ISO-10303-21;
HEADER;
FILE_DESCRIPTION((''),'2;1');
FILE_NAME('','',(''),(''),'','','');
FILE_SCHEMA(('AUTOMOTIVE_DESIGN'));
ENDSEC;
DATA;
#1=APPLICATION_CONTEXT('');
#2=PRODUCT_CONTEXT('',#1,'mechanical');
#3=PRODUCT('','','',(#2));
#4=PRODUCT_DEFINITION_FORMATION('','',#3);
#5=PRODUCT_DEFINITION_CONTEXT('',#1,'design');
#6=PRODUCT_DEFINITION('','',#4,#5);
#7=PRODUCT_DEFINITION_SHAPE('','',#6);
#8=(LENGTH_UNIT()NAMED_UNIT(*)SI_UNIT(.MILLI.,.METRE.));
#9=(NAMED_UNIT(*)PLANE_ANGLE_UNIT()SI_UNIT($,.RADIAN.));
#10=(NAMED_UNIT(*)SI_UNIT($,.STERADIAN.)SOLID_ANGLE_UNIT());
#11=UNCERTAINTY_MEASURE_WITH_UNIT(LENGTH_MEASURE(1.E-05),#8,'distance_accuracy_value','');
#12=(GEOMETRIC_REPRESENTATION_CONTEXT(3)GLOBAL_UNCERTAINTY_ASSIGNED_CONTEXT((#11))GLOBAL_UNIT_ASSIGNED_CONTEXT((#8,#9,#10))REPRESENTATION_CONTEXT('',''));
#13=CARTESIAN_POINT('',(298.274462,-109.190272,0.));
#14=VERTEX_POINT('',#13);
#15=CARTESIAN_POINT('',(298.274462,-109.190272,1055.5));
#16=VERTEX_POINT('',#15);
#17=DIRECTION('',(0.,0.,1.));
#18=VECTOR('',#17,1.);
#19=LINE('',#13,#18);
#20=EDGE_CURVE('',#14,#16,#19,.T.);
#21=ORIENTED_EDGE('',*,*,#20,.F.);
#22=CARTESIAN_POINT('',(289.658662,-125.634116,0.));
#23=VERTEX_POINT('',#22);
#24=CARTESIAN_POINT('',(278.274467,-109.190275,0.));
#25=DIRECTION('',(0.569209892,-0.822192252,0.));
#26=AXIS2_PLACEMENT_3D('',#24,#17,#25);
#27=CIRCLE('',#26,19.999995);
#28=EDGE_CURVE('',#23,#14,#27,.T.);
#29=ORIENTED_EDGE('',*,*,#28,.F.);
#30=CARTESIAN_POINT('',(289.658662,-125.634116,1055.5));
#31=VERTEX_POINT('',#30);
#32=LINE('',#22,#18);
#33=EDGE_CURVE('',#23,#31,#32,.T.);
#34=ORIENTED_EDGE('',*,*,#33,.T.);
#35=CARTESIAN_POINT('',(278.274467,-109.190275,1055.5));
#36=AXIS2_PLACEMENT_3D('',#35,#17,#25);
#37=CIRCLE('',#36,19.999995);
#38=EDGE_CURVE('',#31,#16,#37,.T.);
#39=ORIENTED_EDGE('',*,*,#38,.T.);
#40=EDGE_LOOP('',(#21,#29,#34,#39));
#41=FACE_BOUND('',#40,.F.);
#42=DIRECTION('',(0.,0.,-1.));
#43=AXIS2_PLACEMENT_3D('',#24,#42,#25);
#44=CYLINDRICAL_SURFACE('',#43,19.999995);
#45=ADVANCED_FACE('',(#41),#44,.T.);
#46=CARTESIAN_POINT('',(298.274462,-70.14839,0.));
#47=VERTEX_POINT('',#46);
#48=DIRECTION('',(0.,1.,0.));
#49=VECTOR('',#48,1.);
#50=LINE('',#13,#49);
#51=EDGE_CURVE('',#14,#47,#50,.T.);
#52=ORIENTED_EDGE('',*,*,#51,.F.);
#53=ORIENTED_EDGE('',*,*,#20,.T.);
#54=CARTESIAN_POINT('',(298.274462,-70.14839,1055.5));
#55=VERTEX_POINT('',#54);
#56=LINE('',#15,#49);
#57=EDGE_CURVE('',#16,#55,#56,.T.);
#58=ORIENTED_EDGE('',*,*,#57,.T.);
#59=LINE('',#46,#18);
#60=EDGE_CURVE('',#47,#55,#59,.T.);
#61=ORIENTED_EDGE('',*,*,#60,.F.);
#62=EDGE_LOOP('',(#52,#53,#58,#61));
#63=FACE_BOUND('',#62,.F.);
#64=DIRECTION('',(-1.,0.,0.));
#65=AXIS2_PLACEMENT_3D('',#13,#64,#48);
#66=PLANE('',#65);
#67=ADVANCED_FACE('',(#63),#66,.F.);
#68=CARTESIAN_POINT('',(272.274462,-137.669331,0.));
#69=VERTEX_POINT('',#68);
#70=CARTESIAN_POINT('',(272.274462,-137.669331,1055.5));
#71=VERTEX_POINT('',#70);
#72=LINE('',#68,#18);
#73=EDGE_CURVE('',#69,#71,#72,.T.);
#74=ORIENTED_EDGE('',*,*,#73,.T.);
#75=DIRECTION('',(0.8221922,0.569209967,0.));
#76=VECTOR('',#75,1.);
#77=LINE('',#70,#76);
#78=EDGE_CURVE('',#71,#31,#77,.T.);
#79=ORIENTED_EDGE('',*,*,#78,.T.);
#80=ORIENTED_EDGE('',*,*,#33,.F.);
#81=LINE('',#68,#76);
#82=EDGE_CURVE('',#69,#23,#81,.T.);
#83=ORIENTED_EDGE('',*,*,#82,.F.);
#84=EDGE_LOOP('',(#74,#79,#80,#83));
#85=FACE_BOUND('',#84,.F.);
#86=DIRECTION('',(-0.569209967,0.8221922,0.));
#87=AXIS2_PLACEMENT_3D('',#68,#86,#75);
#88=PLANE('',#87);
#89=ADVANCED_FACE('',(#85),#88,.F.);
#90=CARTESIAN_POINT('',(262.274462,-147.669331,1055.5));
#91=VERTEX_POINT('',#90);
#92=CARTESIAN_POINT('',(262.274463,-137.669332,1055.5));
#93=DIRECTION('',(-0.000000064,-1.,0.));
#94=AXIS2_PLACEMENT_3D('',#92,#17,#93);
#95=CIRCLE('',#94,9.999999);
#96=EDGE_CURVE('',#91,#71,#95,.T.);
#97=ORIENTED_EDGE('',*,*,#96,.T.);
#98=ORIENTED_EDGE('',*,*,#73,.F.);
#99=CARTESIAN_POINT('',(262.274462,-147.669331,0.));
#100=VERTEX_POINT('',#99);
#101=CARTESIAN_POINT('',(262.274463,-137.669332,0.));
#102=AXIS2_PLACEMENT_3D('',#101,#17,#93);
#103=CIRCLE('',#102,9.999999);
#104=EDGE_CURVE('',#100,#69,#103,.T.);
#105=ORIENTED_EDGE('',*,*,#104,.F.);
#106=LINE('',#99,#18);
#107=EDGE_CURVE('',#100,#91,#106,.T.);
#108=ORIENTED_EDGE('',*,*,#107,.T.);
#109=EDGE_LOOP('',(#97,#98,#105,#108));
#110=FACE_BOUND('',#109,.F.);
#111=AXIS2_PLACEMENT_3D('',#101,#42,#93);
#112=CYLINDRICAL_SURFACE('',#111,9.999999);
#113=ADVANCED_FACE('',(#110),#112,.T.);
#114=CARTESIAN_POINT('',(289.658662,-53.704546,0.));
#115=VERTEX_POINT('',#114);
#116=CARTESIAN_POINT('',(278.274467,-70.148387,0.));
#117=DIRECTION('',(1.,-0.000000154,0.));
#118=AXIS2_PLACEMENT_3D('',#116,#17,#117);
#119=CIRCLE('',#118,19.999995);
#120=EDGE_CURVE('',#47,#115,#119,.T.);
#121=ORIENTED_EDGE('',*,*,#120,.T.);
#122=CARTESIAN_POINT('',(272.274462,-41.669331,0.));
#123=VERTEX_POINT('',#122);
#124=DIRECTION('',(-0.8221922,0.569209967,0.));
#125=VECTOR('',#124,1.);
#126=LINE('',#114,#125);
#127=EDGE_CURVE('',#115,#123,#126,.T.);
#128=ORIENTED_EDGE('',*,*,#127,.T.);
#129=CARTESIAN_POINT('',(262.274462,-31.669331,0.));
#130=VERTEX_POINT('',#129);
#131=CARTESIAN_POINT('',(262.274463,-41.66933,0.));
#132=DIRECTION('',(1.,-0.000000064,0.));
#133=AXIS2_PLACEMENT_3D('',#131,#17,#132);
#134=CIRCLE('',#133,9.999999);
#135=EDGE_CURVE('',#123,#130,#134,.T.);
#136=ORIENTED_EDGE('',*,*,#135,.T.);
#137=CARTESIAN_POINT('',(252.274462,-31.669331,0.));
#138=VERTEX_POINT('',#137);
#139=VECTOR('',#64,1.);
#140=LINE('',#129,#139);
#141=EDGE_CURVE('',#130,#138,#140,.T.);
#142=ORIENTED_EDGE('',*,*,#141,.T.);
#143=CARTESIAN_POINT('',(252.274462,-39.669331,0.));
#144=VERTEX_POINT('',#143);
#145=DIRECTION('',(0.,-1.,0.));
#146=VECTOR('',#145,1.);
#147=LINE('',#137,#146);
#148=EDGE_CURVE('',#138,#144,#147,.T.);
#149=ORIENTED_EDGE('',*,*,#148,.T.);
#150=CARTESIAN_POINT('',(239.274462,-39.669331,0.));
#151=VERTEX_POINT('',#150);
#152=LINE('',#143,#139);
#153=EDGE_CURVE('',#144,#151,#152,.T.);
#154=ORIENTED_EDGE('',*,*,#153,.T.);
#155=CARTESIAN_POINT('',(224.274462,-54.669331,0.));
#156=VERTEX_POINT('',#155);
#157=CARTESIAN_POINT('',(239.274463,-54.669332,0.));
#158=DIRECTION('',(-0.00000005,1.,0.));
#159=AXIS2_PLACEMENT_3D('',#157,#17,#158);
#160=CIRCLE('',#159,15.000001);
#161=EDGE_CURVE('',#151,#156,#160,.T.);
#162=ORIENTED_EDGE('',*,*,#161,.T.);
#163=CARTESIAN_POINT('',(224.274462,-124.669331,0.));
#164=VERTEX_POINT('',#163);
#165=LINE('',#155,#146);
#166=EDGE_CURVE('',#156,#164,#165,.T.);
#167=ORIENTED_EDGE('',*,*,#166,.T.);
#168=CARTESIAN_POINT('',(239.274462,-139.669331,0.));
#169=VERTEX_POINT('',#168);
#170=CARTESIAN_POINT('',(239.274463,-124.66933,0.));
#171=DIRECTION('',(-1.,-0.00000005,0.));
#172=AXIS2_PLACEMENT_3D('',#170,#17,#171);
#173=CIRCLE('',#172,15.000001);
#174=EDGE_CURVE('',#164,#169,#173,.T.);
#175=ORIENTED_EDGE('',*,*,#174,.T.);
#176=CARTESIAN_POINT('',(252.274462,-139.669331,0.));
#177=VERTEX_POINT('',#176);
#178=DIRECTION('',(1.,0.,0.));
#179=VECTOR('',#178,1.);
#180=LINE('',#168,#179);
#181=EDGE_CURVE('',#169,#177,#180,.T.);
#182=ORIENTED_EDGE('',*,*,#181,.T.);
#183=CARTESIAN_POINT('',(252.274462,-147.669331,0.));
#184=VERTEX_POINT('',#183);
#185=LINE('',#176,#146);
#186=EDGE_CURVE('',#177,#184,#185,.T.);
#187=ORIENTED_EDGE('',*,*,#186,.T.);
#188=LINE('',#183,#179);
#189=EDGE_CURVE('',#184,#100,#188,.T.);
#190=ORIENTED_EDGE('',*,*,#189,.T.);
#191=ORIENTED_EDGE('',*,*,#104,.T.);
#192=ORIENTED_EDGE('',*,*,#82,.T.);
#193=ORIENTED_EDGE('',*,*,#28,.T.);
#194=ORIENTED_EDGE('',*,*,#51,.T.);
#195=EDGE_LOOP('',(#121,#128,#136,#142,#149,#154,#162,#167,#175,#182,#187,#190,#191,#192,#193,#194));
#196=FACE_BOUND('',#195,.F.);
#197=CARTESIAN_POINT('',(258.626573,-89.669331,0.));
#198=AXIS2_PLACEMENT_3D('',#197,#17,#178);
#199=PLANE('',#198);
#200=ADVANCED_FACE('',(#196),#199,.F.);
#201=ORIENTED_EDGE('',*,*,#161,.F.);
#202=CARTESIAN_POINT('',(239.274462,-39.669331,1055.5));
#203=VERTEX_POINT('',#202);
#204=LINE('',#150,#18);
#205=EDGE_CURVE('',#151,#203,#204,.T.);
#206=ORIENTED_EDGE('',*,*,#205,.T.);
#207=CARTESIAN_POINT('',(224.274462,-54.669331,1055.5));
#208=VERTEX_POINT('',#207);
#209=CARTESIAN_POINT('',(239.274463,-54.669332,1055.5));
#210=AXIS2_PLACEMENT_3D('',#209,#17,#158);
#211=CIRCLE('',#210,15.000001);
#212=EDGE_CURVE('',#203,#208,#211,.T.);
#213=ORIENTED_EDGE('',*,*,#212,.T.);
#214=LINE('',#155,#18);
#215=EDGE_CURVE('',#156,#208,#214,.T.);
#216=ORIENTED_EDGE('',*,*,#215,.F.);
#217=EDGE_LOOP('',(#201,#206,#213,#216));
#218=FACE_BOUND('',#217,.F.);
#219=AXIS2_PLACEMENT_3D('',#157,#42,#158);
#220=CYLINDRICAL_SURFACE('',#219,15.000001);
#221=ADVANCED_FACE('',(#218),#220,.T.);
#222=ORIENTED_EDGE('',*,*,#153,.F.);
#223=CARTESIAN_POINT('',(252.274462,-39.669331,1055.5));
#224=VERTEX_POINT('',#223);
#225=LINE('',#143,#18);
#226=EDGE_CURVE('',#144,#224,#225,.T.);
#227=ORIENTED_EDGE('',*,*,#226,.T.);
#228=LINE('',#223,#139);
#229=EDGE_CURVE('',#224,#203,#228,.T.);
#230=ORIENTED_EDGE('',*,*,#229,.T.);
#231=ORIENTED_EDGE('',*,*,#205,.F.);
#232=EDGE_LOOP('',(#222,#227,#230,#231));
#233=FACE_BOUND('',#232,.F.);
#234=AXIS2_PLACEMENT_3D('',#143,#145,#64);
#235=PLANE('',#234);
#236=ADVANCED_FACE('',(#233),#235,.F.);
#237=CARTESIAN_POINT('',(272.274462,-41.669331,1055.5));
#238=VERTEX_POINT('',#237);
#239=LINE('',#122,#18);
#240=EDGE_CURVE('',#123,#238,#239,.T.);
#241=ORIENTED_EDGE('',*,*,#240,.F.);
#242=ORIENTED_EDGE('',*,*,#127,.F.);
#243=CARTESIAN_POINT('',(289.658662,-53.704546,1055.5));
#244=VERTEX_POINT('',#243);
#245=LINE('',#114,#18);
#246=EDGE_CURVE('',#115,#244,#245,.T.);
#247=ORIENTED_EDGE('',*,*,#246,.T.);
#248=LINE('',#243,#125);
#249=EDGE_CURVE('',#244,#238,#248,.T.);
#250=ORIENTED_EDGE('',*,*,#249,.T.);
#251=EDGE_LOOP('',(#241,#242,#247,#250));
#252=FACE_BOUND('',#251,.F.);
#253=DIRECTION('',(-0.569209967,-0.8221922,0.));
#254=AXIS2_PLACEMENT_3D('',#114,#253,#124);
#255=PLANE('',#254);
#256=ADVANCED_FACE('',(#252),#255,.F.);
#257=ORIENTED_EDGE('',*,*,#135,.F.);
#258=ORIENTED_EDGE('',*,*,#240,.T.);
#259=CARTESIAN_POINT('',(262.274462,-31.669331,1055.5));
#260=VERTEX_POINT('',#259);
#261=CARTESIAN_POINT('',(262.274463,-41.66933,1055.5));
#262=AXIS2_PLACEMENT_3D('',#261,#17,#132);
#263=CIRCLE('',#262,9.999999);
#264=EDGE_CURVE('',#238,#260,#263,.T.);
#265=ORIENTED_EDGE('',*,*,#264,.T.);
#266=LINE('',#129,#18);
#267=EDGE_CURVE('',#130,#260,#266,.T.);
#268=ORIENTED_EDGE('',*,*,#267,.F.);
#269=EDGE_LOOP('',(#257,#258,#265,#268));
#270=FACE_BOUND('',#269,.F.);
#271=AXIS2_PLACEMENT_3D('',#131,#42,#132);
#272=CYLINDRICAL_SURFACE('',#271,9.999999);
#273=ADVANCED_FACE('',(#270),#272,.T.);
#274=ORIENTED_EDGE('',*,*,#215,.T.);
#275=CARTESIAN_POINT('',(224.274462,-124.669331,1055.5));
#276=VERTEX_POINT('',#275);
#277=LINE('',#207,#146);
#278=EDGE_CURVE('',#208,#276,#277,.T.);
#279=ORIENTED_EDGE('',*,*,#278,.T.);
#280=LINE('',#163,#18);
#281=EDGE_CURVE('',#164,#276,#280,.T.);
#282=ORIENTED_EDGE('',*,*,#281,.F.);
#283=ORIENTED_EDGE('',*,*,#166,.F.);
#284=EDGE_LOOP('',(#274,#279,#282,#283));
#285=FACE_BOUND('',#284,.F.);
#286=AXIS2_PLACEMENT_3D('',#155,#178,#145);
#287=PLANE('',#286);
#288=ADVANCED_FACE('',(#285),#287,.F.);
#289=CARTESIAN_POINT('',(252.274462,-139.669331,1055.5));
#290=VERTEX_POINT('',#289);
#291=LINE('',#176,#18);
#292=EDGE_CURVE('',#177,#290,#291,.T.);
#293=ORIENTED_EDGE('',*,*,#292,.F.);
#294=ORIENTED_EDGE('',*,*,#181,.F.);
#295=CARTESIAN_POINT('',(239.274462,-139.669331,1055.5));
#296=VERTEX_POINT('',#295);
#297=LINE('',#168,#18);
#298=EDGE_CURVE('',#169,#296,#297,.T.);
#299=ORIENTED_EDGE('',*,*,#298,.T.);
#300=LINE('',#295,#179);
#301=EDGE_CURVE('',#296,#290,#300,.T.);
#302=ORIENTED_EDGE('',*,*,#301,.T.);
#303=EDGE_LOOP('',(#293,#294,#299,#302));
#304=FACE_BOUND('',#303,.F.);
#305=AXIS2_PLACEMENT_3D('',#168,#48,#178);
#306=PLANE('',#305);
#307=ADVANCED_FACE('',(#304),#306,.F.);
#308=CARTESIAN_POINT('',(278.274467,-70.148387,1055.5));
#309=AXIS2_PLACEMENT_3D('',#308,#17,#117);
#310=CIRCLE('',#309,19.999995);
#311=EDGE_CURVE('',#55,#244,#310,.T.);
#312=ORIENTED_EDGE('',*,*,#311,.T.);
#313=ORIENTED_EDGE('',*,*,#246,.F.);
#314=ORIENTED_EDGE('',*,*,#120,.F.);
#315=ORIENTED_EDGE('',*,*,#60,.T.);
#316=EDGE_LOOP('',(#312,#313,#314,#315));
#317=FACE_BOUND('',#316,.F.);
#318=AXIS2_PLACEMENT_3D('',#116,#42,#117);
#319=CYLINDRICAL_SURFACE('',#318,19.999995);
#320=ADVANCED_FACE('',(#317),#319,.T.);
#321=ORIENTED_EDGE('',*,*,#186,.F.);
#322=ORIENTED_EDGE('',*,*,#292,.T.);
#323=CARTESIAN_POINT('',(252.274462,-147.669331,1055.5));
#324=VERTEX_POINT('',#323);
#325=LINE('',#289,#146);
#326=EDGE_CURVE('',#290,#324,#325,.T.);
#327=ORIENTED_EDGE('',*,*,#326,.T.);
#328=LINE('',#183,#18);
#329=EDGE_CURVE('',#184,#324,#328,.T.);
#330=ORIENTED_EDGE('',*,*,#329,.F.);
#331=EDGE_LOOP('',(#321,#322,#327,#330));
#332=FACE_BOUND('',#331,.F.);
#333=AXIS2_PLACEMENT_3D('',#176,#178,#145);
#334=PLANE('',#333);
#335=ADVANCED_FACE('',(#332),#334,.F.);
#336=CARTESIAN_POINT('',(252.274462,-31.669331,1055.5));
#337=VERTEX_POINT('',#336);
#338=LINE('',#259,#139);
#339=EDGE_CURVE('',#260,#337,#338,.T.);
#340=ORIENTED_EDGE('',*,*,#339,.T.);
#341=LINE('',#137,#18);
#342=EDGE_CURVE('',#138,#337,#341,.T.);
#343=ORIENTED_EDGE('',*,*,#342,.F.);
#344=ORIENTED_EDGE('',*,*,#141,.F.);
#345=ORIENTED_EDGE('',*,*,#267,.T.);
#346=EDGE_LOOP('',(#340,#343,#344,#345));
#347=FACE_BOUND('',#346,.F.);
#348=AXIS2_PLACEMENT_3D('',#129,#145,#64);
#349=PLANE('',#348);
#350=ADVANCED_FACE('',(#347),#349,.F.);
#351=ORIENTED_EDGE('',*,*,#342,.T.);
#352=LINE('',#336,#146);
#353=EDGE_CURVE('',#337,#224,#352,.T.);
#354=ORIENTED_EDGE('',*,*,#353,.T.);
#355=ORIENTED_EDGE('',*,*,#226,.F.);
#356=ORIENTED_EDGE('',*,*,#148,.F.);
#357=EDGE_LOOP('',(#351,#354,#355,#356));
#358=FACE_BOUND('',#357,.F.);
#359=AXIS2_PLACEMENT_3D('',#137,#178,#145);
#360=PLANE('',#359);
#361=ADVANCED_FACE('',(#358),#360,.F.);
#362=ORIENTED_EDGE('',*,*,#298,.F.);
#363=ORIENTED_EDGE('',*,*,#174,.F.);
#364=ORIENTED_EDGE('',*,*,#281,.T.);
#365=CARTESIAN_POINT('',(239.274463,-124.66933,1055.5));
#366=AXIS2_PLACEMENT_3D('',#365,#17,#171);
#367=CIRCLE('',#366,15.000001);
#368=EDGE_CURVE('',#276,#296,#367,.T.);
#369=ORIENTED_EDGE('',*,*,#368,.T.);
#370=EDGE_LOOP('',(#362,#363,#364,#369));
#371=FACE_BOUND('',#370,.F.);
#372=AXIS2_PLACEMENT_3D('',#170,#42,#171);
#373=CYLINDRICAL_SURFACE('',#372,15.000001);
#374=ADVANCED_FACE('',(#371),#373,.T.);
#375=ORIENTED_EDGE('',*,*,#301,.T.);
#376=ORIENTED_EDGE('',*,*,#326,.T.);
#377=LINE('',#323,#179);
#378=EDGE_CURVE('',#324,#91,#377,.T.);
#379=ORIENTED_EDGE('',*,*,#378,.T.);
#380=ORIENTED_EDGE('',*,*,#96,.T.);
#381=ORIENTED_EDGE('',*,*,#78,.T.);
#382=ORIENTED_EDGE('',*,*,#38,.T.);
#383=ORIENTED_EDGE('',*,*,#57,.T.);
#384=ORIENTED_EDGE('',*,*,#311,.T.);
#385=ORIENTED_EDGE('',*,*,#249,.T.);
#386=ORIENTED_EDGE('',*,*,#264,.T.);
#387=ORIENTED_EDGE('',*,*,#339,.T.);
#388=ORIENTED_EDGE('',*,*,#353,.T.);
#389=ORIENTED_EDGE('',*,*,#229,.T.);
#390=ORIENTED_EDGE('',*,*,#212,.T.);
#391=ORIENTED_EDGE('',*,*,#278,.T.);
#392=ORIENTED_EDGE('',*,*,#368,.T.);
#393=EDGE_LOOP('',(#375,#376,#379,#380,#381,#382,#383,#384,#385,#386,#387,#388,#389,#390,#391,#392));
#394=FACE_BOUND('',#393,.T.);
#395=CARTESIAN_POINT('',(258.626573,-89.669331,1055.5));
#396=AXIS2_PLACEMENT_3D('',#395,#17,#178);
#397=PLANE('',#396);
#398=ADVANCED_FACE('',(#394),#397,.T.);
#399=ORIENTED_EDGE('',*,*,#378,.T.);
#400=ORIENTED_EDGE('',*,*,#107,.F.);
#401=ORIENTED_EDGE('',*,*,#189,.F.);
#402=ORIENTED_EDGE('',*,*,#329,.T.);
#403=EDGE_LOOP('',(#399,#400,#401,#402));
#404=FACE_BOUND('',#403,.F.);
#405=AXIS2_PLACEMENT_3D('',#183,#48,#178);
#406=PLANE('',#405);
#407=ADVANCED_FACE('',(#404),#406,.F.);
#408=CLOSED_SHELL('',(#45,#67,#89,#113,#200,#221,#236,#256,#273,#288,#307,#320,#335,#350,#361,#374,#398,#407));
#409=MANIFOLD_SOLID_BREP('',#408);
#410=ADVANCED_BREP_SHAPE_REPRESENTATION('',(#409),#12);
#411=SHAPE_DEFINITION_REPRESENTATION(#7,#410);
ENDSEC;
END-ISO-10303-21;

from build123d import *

# Parameters (mm, degrees)
F1_DEPTH = 1055.5


with BuildPart() as f1:
    # F0 (on Top) → F1 (new body)
    with BuildSketch(Plane.XY):
        with BuildLine():
            Line((252.274462, -39.669331), (239.274462, -39.669331))
            ThreePointArc((239.274462, -39.669331), (228.667861, -44.062729), (224.274462, -54.669331))
            Line((224.274462, -54.669331), (224.274462, -124.669331))
            ThreePointArc((224.274462, -124.669331), (228.667861, -135.275933), (239.274462, -139.669331))
            Line((239.274462, -139.669331), (252.274462, -139.669331))
            Line((252.274462, -139.669331), (252.274462, -147.669331))
            Line((252.274462, -147.669331), (262.274462, -147.669331))
            ThreePointArc((262.274462, -147.669331), (269.34553, -144.740399), (272.274462, -137.669331))
            Line((272.274462, -137.669331), (289.658662, -125.634116))
            ThreePointArc((289.658662, -125.634116), (295.990049, -118.472406), (298.274462, -109.190272))
            Line((298.274462, -109.190272), (298.274462, -70.14839))
            ThreePointArc((298.274462, -70.14839), (295.990049, -60.866256), (289.658662, -53.704546))
            Line((289.658662, -53.704546), (272.274462, -41.669331))
            ThreePointArc((272.274462, -41.669331), (269.34553, -34.598263), (262.274462, -31.669331))
            Line((262.274462, -31.669331), (252.274462, -31.669331))
            Line((252.274462, -31.669331), (252.274462, -39.669331))
        make_face()
    extrude(amount=F1_DEPTH)


solid = f1.part
